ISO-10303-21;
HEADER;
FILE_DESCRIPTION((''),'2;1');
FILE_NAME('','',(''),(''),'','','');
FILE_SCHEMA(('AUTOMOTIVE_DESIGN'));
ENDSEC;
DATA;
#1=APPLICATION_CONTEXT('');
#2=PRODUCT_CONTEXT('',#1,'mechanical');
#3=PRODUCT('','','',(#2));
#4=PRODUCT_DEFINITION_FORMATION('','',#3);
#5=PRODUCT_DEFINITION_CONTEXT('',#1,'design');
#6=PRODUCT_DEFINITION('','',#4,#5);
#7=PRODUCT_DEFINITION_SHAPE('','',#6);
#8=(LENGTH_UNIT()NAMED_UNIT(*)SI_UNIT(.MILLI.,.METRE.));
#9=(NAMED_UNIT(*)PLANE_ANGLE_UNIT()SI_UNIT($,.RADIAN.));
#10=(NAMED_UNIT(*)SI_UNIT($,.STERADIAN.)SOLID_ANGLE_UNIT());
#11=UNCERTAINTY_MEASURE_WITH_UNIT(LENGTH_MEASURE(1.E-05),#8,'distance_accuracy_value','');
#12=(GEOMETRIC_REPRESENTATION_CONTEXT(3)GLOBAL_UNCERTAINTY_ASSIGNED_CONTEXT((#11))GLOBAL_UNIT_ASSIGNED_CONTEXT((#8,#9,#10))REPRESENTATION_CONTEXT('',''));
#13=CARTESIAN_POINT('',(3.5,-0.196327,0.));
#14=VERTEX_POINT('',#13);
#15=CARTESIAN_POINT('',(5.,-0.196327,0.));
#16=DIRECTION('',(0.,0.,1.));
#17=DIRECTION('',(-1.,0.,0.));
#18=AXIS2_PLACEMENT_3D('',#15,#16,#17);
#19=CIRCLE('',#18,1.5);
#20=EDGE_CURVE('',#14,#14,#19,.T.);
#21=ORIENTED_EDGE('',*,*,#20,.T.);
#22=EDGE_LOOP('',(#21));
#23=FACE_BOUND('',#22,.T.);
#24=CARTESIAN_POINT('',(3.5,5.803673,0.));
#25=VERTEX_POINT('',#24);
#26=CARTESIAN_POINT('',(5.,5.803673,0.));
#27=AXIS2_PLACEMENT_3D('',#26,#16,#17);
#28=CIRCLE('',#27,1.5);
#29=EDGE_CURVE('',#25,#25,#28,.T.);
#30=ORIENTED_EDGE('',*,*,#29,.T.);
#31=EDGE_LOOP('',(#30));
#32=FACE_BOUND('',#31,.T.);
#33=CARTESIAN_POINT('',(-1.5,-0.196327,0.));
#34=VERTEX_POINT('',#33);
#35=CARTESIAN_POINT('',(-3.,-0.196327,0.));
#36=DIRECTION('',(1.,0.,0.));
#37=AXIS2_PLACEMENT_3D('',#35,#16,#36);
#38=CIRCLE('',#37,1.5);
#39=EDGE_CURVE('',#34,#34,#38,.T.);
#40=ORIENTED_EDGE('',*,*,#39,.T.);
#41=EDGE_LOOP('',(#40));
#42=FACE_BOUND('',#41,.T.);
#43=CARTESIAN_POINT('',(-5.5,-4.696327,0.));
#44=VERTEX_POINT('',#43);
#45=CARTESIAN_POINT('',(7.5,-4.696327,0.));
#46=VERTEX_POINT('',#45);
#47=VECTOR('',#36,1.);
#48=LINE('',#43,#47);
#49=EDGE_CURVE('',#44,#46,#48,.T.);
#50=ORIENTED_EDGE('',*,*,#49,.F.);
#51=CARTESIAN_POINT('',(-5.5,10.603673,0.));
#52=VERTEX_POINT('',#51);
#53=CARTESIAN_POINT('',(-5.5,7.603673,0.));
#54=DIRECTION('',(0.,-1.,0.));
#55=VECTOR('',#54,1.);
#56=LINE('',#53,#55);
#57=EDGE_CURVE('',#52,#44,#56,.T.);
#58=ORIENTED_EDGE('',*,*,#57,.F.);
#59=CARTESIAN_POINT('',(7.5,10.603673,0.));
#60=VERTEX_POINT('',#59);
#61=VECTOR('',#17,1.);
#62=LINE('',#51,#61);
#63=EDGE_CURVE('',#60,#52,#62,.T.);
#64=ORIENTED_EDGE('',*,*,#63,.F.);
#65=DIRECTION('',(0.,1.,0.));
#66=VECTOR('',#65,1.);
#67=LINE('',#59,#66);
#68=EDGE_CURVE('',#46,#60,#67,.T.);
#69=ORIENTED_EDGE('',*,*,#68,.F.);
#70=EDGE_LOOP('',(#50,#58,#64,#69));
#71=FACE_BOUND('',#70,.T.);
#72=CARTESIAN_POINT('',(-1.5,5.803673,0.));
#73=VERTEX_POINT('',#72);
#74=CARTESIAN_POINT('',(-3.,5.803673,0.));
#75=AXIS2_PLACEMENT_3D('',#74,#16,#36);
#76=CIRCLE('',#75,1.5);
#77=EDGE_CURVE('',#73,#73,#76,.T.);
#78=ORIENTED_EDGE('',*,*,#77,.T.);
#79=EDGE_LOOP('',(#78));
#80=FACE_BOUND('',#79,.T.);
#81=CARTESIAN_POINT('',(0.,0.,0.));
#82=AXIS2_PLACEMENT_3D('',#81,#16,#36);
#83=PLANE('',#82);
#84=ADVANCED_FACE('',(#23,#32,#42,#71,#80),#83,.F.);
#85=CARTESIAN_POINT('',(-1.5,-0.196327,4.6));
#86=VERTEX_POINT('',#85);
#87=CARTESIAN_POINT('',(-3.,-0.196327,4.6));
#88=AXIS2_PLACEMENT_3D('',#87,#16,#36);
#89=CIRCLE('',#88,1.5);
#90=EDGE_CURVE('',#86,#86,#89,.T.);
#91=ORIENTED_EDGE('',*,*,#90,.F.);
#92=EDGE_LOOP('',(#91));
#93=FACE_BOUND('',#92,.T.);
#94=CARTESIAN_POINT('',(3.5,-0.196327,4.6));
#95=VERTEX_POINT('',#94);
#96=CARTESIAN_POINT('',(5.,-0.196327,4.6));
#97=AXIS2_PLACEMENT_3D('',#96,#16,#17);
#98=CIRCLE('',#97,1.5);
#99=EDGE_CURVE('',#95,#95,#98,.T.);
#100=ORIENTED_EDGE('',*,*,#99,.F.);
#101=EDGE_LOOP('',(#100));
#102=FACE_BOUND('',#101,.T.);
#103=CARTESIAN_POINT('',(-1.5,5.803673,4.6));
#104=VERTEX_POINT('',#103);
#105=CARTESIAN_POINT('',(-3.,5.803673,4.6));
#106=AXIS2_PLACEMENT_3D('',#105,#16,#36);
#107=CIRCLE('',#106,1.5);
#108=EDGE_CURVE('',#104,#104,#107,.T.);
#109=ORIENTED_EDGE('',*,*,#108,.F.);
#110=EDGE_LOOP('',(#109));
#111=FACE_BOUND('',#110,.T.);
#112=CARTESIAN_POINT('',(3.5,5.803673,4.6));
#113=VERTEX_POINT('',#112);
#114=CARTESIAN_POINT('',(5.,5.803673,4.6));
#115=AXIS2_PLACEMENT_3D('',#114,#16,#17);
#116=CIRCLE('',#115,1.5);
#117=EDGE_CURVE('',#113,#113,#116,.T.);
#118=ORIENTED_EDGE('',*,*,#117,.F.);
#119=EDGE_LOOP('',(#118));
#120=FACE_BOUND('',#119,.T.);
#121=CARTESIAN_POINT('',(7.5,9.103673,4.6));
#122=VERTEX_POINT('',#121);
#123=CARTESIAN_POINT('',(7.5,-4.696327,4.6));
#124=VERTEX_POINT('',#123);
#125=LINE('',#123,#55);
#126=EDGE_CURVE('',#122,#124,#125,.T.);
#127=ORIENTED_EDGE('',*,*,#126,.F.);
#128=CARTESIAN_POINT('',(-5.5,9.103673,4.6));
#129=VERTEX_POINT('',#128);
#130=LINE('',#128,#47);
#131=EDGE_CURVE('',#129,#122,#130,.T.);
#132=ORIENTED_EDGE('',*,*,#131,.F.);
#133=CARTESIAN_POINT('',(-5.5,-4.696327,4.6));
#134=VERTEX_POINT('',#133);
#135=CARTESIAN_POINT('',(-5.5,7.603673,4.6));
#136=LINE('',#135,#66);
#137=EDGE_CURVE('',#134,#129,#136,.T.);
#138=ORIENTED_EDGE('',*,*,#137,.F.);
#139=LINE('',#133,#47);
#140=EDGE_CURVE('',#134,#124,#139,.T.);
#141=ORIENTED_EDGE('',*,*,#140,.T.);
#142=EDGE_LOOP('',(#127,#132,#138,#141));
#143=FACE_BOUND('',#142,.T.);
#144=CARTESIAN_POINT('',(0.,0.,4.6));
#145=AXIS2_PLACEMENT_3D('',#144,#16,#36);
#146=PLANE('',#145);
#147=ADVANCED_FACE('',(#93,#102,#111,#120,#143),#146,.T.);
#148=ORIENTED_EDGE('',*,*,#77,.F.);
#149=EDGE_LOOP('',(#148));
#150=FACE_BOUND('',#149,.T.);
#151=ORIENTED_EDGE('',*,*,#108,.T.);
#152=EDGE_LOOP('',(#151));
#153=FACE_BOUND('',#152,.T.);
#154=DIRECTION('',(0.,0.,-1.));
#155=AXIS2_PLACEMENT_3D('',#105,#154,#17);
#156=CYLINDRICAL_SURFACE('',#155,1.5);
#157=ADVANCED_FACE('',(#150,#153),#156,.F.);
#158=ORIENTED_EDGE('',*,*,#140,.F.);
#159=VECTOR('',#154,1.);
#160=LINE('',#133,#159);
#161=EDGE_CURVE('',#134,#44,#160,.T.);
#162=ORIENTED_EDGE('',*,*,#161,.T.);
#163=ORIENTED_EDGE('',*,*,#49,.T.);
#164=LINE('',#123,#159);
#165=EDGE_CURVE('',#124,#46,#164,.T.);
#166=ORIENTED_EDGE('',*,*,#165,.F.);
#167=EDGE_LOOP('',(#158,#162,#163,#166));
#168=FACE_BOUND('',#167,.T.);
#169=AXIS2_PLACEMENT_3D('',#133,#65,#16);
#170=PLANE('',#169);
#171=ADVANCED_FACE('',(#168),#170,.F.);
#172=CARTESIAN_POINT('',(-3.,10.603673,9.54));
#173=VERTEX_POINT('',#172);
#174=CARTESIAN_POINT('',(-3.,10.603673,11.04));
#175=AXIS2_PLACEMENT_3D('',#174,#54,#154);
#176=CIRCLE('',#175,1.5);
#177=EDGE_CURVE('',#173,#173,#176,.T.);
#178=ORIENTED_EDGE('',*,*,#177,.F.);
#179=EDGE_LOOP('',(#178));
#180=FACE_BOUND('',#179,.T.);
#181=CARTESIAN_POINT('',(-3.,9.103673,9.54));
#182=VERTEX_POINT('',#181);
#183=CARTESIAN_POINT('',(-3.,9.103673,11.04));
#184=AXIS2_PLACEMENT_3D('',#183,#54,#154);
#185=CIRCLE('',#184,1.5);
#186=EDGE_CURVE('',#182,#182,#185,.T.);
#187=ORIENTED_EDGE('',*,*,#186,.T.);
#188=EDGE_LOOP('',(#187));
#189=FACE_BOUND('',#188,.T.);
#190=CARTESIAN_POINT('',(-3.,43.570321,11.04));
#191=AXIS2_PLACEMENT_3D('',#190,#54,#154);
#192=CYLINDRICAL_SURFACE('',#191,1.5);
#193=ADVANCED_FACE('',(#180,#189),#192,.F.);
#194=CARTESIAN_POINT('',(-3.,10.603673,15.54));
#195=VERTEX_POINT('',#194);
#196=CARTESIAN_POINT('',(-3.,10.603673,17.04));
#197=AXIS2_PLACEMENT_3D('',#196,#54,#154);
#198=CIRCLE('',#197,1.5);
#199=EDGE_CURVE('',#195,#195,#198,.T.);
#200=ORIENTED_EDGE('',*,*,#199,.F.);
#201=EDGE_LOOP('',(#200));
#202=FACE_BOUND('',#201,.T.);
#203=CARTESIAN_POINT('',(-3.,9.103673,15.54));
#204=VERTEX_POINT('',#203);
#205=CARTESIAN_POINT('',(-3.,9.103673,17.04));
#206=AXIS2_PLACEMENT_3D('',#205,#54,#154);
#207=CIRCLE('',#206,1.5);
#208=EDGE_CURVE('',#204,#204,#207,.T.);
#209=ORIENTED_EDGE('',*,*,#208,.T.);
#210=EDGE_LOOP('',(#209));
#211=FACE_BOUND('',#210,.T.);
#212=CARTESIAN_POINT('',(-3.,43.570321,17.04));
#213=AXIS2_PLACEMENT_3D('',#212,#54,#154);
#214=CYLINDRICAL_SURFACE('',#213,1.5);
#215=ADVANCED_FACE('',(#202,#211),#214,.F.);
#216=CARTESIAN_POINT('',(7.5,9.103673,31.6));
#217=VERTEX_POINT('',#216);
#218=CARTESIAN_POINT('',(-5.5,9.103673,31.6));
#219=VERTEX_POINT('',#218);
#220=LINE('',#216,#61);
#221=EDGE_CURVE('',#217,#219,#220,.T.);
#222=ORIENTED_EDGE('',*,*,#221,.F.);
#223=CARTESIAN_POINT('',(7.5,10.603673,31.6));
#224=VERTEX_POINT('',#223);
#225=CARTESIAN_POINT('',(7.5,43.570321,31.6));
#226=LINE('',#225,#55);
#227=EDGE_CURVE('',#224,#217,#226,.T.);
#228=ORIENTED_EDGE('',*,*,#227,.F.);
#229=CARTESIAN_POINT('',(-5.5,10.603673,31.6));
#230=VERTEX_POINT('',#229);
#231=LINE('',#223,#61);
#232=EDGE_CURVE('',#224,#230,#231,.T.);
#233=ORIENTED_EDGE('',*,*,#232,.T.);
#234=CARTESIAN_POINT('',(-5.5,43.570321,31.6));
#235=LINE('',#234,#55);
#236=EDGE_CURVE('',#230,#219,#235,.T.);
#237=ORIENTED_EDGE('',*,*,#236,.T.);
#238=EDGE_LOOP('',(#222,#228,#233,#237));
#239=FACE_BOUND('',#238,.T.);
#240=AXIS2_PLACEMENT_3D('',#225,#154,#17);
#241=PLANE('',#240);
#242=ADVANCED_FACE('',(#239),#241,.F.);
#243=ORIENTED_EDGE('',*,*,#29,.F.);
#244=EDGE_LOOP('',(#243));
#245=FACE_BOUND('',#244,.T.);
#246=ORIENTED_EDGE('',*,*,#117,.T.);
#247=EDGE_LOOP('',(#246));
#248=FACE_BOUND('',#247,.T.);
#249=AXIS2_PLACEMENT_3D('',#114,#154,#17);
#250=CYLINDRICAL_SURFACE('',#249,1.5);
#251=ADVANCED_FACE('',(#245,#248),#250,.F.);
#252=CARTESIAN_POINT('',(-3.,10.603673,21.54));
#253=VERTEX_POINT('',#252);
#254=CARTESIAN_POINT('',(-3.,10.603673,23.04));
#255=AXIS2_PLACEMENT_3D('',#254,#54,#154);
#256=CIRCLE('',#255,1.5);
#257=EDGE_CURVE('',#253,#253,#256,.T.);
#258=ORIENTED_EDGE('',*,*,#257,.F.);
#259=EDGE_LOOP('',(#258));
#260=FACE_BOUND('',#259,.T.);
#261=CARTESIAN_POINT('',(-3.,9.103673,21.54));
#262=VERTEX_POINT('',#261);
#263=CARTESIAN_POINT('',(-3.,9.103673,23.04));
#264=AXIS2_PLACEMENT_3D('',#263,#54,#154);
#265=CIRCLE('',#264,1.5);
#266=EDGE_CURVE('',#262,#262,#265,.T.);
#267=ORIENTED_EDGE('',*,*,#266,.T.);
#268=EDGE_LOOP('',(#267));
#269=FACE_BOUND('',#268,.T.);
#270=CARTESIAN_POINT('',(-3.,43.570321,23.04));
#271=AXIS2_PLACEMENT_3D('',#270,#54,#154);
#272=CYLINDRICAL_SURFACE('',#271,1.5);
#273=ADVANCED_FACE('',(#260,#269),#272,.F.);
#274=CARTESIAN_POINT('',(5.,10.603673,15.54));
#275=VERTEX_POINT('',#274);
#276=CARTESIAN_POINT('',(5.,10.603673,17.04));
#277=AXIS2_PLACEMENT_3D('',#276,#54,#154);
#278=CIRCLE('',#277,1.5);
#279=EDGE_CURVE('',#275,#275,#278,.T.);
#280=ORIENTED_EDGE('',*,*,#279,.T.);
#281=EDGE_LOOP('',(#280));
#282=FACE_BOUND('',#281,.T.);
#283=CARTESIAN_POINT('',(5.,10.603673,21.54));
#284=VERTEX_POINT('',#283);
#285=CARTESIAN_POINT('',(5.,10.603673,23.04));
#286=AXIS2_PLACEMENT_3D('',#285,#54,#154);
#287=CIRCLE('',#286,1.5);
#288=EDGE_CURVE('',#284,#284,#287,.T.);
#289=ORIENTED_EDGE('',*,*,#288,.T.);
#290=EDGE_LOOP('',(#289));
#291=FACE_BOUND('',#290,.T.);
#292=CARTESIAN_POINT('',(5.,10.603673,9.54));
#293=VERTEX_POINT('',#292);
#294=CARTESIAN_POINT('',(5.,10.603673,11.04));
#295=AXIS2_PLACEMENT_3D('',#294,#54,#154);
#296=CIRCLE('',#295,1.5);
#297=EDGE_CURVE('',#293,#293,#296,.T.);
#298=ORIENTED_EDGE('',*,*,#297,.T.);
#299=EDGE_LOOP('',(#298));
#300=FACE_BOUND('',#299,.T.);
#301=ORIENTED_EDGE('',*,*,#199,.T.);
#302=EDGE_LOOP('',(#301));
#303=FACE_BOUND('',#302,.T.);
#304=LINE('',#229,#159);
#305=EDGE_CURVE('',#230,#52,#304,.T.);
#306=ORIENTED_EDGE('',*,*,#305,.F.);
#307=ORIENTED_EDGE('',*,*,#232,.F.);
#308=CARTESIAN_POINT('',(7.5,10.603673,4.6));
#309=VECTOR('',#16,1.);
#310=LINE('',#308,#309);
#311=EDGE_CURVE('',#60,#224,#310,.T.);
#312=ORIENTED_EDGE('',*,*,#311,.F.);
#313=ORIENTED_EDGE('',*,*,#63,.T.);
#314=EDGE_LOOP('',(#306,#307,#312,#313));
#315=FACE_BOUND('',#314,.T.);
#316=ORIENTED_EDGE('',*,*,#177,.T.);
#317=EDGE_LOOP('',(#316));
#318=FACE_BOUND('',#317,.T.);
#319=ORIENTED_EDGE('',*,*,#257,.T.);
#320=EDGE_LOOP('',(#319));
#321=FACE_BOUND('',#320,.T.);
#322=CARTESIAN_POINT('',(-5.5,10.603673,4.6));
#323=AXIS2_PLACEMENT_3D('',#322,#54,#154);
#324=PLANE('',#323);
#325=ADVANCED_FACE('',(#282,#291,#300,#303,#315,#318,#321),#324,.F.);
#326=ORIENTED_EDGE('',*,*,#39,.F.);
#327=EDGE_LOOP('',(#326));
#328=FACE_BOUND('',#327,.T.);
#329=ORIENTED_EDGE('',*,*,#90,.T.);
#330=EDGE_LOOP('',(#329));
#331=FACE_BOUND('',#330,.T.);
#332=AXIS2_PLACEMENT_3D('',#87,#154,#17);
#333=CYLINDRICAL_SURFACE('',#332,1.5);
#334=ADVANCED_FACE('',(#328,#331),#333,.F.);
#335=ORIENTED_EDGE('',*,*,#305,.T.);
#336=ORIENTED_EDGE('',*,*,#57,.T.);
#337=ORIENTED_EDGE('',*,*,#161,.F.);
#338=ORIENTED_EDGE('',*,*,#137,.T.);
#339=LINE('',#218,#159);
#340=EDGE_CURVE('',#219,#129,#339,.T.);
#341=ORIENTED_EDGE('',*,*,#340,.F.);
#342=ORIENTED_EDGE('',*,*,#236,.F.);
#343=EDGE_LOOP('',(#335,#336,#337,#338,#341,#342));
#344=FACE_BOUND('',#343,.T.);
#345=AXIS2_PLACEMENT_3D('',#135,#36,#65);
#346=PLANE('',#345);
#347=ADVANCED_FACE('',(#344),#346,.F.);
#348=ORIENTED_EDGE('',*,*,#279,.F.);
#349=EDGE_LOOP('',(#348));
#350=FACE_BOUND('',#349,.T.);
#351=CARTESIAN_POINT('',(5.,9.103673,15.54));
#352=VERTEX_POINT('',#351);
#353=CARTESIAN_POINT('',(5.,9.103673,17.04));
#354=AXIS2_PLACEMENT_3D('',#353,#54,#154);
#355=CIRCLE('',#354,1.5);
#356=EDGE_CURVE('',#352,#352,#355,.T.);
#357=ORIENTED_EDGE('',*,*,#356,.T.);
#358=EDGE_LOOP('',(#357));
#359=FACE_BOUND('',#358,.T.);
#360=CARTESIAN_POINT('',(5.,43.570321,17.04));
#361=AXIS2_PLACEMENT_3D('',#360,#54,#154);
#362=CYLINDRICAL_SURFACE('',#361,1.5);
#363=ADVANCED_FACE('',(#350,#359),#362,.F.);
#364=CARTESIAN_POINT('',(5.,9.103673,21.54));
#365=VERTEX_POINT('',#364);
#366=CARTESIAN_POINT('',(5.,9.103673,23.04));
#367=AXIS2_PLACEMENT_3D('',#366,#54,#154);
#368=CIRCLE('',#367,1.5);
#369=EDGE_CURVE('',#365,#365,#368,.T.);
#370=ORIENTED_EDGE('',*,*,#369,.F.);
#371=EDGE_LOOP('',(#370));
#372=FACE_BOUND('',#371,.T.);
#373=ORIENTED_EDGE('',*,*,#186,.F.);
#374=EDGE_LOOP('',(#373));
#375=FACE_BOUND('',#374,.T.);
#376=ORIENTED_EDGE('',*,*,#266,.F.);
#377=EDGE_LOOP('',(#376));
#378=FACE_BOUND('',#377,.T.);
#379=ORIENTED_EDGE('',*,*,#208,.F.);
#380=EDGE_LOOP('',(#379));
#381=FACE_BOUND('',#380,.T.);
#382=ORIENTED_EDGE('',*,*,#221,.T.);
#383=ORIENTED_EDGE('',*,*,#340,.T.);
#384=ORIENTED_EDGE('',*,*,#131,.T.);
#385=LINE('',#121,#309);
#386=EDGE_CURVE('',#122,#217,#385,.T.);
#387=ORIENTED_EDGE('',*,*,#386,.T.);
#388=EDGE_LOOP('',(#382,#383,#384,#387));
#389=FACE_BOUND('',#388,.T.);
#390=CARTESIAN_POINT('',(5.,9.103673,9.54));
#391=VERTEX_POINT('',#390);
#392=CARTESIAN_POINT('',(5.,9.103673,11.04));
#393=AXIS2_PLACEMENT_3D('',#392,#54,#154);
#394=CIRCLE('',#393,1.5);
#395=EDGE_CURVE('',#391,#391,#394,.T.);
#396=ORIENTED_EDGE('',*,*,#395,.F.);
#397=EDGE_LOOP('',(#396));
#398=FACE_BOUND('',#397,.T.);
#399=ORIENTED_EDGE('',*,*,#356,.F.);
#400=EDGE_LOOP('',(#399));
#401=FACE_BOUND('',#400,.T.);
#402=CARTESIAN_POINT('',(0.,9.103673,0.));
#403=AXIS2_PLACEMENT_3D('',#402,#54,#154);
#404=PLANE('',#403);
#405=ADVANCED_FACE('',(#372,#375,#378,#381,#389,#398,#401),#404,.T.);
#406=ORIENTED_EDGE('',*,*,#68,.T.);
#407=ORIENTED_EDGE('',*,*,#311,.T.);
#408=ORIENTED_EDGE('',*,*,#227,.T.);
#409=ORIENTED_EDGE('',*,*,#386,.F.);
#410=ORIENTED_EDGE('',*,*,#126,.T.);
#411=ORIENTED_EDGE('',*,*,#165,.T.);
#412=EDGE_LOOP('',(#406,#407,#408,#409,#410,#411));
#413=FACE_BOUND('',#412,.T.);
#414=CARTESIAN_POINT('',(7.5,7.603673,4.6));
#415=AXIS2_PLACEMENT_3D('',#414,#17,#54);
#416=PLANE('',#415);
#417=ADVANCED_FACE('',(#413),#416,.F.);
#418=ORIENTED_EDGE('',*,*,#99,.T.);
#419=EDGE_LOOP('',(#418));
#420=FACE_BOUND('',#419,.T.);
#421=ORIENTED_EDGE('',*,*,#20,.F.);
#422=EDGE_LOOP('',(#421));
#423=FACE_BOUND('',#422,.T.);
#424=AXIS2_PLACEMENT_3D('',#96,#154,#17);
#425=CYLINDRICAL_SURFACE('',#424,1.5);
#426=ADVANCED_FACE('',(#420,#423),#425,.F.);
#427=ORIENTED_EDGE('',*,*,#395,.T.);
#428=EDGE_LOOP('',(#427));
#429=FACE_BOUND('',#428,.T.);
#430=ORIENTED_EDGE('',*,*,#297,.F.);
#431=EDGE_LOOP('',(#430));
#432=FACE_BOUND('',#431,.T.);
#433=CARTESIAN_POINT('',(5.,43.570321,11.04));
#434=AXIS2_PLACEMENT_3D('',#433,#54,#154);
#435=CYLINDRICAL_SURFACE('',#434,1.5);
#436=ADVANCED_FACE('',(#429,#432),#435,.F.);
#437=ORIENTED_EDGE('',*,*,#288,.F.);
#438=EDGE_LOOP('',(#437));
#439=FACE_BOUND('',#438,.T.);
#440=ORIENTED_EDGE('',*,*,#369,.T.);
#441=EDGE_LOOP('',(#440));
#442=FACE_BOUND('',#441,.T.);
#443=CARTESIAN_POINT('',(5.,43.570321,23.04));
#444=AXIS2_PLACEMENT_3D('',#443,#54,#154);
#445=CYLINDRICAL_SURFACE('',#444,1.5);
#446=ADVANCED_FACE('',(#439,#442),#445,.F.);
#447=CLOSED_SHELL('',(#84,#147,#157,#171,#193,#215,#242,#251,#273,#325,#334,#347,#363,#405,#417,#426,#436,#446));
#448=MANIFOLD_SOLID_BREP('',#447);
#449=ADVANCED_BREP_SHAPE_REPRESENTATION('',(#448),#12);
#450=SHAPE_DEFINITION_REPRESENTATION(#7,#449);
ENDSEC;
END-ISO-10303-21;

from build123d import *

# Parameters (mm, degrees)
SKETCH2_W           = 13
SKETCH2_H           = 12.3
SKETCH2_R           = 1.5
BOSS_EXTRUDE1_DEPTH = 4.6
SKETCH3_W           = 13
SKETCH3_H           = 27
SKETCH3_R           = 1.5
BOSS_EXTRUDE2_DEPTH = 10.603673126
SKETCH4_W           = 13
SKETCH4_H           = 12.3
CUT_EXTRUDE1_DEPTH  = 27
SKETCH5_W           = 13
SKETCH5_H           = 3
BOSS_EXTRUDE3_DEPTH = 4.6
SKETCH7_W           = 13
SKETCH7_H           = 27
CUT_EXTRUDE2_DEPTH  = 1.5


with BuildPart() as part:
    # Sketch2 → Boss-Extrude1 (new body)
    with BuildSketch(Plane.XY):
        with Locations((1, 1.453673126)):
            Rectangle(SKETCH2_W, SKETCH2_H)
        with Locations((-3, 5.803673126)):
            Circle(SKETCH2_R, mode=Mode.SUBTRACT)
        with Locations((-3, -0.196326874)):
            Circle(SKETCH2_R, mode=Mode.SUBTRACT)
        with Locations(Location((5, -0.196326874, 0), (0, 0, 180))):
            Circle(SKETCH2_R, mode=Mode.SUBTRACT)
        with Locations(Location((5, 5.803673126, 0), (0, 0, 180))):
            Circle(SKETCH2_R, mode=Mode.SUBTRACT)
    extrude(amount=BOSS_EXTRUDE1_DEPTH)

    # Sketch3 → Boss-Extrude2 (add)
    with BuildSketch(Plane(origin=(0, 0, 0), x_dir=(1, 0, 0), z_dir=(0, 1, 0))):
        with Locations((1, -18.1)):
            Rectangle(SKETCH3_W, SKETCH3_H)
        with Locations(Location((-3, -17.04, 0), (0, 0, 90))):
            Circle(SKETCH3_R, mode=Mode.SUBTRACT)
        with Locations(Location((-3, -23.04, 0), (0, 0, 90))):
            Circle(SKETCH3_R, mode=Mode.SUBTRACT)
        with Locations(Location((5, -23.04, 0), (0, 0, 90))):
            Circle(SKETCH3_R, mode=Mode.SUBTRACT)
        with Locations(Location((5, -17.04, 0), (0, 0, 90))):
            Circle(SKETCH3_R, mode=Mode.SUBTRACT)
        with Locations(Location((-3, -11.04, 0), (0, 0, 90))):
            Circle(SKETCH3_R, mode=Mode.SUBTRACT)
        with Locations(Location((5, -11.04, 0), (0, 0, 90))):
            Circle(SKETCH3_R, mode=Mode.SUBTRACT)
    extrude(amount=BOSS_EXTRUDE2_DEPTH)

    # Sketch4 → Cut-Extrude1 (cut)
    with BuildSketch(Plane.XY.offset(31.6)):
        with Locations((1, 1.453673126)):
            Rectangle(SKETCH4_W, SKETCH4_H)
    extrude(amount=-CUT_EXTRUDE1_DEPTH, mode=Mode.SUBTRACT)


with BuildPart() as cut_extrude1_piece_1:
    # of the separate pieces the step leaves, piece 1, a body of its own (cut_extrude1_pieces)
    add(part.part.solids().sort_by_distance((7.5, 10.603673126, 4.6))[0])



with BuildPart() as cut_extrude1_piece_2:
    # of the separate pieces the step leaves, piece 2, a body of its own (cut_extrude1_pieces)
    add(part.part.solids().sort_by_distance((-5.5, 7.603673126, 0))[0])


with BuildPart() as cut_extrude1_piece_1_1:
    add(cut_extrude1_piece_1.part)

    add(cut_extrude1_piece_2.part)  # Boss-Extrude3 merges Cut-Extrude1 piece 2
    # Sketch5 → Boss-Extrude3 (add)
    with BuildSketch(Plane(origin=(0, 0, 4.6), x_dir=(-1, 0, 0), z_dir=(0, 0, -1))):
        with Locations((-1, 9.103673126)):
            Rectangle(SKETCH5_W, SKETCH5_H)
    extrude(amount=BOSS_EXTRUDE3_DEPTH)

    # Sketch7 → Cut-Extrude2 (cut)
    with BuildSketch(Plane.XZ.offset(-7.603673126)):
        with Locations((1, 18.1)):
            Rectangle(SKETCH7_W, SKETCH7_H)
    extrude(amount=-CUT_EXTRUDE2_DEPTH, mode=Mode.SUBTRACT)


solid = cut_extrude1_piece_1_1.part
